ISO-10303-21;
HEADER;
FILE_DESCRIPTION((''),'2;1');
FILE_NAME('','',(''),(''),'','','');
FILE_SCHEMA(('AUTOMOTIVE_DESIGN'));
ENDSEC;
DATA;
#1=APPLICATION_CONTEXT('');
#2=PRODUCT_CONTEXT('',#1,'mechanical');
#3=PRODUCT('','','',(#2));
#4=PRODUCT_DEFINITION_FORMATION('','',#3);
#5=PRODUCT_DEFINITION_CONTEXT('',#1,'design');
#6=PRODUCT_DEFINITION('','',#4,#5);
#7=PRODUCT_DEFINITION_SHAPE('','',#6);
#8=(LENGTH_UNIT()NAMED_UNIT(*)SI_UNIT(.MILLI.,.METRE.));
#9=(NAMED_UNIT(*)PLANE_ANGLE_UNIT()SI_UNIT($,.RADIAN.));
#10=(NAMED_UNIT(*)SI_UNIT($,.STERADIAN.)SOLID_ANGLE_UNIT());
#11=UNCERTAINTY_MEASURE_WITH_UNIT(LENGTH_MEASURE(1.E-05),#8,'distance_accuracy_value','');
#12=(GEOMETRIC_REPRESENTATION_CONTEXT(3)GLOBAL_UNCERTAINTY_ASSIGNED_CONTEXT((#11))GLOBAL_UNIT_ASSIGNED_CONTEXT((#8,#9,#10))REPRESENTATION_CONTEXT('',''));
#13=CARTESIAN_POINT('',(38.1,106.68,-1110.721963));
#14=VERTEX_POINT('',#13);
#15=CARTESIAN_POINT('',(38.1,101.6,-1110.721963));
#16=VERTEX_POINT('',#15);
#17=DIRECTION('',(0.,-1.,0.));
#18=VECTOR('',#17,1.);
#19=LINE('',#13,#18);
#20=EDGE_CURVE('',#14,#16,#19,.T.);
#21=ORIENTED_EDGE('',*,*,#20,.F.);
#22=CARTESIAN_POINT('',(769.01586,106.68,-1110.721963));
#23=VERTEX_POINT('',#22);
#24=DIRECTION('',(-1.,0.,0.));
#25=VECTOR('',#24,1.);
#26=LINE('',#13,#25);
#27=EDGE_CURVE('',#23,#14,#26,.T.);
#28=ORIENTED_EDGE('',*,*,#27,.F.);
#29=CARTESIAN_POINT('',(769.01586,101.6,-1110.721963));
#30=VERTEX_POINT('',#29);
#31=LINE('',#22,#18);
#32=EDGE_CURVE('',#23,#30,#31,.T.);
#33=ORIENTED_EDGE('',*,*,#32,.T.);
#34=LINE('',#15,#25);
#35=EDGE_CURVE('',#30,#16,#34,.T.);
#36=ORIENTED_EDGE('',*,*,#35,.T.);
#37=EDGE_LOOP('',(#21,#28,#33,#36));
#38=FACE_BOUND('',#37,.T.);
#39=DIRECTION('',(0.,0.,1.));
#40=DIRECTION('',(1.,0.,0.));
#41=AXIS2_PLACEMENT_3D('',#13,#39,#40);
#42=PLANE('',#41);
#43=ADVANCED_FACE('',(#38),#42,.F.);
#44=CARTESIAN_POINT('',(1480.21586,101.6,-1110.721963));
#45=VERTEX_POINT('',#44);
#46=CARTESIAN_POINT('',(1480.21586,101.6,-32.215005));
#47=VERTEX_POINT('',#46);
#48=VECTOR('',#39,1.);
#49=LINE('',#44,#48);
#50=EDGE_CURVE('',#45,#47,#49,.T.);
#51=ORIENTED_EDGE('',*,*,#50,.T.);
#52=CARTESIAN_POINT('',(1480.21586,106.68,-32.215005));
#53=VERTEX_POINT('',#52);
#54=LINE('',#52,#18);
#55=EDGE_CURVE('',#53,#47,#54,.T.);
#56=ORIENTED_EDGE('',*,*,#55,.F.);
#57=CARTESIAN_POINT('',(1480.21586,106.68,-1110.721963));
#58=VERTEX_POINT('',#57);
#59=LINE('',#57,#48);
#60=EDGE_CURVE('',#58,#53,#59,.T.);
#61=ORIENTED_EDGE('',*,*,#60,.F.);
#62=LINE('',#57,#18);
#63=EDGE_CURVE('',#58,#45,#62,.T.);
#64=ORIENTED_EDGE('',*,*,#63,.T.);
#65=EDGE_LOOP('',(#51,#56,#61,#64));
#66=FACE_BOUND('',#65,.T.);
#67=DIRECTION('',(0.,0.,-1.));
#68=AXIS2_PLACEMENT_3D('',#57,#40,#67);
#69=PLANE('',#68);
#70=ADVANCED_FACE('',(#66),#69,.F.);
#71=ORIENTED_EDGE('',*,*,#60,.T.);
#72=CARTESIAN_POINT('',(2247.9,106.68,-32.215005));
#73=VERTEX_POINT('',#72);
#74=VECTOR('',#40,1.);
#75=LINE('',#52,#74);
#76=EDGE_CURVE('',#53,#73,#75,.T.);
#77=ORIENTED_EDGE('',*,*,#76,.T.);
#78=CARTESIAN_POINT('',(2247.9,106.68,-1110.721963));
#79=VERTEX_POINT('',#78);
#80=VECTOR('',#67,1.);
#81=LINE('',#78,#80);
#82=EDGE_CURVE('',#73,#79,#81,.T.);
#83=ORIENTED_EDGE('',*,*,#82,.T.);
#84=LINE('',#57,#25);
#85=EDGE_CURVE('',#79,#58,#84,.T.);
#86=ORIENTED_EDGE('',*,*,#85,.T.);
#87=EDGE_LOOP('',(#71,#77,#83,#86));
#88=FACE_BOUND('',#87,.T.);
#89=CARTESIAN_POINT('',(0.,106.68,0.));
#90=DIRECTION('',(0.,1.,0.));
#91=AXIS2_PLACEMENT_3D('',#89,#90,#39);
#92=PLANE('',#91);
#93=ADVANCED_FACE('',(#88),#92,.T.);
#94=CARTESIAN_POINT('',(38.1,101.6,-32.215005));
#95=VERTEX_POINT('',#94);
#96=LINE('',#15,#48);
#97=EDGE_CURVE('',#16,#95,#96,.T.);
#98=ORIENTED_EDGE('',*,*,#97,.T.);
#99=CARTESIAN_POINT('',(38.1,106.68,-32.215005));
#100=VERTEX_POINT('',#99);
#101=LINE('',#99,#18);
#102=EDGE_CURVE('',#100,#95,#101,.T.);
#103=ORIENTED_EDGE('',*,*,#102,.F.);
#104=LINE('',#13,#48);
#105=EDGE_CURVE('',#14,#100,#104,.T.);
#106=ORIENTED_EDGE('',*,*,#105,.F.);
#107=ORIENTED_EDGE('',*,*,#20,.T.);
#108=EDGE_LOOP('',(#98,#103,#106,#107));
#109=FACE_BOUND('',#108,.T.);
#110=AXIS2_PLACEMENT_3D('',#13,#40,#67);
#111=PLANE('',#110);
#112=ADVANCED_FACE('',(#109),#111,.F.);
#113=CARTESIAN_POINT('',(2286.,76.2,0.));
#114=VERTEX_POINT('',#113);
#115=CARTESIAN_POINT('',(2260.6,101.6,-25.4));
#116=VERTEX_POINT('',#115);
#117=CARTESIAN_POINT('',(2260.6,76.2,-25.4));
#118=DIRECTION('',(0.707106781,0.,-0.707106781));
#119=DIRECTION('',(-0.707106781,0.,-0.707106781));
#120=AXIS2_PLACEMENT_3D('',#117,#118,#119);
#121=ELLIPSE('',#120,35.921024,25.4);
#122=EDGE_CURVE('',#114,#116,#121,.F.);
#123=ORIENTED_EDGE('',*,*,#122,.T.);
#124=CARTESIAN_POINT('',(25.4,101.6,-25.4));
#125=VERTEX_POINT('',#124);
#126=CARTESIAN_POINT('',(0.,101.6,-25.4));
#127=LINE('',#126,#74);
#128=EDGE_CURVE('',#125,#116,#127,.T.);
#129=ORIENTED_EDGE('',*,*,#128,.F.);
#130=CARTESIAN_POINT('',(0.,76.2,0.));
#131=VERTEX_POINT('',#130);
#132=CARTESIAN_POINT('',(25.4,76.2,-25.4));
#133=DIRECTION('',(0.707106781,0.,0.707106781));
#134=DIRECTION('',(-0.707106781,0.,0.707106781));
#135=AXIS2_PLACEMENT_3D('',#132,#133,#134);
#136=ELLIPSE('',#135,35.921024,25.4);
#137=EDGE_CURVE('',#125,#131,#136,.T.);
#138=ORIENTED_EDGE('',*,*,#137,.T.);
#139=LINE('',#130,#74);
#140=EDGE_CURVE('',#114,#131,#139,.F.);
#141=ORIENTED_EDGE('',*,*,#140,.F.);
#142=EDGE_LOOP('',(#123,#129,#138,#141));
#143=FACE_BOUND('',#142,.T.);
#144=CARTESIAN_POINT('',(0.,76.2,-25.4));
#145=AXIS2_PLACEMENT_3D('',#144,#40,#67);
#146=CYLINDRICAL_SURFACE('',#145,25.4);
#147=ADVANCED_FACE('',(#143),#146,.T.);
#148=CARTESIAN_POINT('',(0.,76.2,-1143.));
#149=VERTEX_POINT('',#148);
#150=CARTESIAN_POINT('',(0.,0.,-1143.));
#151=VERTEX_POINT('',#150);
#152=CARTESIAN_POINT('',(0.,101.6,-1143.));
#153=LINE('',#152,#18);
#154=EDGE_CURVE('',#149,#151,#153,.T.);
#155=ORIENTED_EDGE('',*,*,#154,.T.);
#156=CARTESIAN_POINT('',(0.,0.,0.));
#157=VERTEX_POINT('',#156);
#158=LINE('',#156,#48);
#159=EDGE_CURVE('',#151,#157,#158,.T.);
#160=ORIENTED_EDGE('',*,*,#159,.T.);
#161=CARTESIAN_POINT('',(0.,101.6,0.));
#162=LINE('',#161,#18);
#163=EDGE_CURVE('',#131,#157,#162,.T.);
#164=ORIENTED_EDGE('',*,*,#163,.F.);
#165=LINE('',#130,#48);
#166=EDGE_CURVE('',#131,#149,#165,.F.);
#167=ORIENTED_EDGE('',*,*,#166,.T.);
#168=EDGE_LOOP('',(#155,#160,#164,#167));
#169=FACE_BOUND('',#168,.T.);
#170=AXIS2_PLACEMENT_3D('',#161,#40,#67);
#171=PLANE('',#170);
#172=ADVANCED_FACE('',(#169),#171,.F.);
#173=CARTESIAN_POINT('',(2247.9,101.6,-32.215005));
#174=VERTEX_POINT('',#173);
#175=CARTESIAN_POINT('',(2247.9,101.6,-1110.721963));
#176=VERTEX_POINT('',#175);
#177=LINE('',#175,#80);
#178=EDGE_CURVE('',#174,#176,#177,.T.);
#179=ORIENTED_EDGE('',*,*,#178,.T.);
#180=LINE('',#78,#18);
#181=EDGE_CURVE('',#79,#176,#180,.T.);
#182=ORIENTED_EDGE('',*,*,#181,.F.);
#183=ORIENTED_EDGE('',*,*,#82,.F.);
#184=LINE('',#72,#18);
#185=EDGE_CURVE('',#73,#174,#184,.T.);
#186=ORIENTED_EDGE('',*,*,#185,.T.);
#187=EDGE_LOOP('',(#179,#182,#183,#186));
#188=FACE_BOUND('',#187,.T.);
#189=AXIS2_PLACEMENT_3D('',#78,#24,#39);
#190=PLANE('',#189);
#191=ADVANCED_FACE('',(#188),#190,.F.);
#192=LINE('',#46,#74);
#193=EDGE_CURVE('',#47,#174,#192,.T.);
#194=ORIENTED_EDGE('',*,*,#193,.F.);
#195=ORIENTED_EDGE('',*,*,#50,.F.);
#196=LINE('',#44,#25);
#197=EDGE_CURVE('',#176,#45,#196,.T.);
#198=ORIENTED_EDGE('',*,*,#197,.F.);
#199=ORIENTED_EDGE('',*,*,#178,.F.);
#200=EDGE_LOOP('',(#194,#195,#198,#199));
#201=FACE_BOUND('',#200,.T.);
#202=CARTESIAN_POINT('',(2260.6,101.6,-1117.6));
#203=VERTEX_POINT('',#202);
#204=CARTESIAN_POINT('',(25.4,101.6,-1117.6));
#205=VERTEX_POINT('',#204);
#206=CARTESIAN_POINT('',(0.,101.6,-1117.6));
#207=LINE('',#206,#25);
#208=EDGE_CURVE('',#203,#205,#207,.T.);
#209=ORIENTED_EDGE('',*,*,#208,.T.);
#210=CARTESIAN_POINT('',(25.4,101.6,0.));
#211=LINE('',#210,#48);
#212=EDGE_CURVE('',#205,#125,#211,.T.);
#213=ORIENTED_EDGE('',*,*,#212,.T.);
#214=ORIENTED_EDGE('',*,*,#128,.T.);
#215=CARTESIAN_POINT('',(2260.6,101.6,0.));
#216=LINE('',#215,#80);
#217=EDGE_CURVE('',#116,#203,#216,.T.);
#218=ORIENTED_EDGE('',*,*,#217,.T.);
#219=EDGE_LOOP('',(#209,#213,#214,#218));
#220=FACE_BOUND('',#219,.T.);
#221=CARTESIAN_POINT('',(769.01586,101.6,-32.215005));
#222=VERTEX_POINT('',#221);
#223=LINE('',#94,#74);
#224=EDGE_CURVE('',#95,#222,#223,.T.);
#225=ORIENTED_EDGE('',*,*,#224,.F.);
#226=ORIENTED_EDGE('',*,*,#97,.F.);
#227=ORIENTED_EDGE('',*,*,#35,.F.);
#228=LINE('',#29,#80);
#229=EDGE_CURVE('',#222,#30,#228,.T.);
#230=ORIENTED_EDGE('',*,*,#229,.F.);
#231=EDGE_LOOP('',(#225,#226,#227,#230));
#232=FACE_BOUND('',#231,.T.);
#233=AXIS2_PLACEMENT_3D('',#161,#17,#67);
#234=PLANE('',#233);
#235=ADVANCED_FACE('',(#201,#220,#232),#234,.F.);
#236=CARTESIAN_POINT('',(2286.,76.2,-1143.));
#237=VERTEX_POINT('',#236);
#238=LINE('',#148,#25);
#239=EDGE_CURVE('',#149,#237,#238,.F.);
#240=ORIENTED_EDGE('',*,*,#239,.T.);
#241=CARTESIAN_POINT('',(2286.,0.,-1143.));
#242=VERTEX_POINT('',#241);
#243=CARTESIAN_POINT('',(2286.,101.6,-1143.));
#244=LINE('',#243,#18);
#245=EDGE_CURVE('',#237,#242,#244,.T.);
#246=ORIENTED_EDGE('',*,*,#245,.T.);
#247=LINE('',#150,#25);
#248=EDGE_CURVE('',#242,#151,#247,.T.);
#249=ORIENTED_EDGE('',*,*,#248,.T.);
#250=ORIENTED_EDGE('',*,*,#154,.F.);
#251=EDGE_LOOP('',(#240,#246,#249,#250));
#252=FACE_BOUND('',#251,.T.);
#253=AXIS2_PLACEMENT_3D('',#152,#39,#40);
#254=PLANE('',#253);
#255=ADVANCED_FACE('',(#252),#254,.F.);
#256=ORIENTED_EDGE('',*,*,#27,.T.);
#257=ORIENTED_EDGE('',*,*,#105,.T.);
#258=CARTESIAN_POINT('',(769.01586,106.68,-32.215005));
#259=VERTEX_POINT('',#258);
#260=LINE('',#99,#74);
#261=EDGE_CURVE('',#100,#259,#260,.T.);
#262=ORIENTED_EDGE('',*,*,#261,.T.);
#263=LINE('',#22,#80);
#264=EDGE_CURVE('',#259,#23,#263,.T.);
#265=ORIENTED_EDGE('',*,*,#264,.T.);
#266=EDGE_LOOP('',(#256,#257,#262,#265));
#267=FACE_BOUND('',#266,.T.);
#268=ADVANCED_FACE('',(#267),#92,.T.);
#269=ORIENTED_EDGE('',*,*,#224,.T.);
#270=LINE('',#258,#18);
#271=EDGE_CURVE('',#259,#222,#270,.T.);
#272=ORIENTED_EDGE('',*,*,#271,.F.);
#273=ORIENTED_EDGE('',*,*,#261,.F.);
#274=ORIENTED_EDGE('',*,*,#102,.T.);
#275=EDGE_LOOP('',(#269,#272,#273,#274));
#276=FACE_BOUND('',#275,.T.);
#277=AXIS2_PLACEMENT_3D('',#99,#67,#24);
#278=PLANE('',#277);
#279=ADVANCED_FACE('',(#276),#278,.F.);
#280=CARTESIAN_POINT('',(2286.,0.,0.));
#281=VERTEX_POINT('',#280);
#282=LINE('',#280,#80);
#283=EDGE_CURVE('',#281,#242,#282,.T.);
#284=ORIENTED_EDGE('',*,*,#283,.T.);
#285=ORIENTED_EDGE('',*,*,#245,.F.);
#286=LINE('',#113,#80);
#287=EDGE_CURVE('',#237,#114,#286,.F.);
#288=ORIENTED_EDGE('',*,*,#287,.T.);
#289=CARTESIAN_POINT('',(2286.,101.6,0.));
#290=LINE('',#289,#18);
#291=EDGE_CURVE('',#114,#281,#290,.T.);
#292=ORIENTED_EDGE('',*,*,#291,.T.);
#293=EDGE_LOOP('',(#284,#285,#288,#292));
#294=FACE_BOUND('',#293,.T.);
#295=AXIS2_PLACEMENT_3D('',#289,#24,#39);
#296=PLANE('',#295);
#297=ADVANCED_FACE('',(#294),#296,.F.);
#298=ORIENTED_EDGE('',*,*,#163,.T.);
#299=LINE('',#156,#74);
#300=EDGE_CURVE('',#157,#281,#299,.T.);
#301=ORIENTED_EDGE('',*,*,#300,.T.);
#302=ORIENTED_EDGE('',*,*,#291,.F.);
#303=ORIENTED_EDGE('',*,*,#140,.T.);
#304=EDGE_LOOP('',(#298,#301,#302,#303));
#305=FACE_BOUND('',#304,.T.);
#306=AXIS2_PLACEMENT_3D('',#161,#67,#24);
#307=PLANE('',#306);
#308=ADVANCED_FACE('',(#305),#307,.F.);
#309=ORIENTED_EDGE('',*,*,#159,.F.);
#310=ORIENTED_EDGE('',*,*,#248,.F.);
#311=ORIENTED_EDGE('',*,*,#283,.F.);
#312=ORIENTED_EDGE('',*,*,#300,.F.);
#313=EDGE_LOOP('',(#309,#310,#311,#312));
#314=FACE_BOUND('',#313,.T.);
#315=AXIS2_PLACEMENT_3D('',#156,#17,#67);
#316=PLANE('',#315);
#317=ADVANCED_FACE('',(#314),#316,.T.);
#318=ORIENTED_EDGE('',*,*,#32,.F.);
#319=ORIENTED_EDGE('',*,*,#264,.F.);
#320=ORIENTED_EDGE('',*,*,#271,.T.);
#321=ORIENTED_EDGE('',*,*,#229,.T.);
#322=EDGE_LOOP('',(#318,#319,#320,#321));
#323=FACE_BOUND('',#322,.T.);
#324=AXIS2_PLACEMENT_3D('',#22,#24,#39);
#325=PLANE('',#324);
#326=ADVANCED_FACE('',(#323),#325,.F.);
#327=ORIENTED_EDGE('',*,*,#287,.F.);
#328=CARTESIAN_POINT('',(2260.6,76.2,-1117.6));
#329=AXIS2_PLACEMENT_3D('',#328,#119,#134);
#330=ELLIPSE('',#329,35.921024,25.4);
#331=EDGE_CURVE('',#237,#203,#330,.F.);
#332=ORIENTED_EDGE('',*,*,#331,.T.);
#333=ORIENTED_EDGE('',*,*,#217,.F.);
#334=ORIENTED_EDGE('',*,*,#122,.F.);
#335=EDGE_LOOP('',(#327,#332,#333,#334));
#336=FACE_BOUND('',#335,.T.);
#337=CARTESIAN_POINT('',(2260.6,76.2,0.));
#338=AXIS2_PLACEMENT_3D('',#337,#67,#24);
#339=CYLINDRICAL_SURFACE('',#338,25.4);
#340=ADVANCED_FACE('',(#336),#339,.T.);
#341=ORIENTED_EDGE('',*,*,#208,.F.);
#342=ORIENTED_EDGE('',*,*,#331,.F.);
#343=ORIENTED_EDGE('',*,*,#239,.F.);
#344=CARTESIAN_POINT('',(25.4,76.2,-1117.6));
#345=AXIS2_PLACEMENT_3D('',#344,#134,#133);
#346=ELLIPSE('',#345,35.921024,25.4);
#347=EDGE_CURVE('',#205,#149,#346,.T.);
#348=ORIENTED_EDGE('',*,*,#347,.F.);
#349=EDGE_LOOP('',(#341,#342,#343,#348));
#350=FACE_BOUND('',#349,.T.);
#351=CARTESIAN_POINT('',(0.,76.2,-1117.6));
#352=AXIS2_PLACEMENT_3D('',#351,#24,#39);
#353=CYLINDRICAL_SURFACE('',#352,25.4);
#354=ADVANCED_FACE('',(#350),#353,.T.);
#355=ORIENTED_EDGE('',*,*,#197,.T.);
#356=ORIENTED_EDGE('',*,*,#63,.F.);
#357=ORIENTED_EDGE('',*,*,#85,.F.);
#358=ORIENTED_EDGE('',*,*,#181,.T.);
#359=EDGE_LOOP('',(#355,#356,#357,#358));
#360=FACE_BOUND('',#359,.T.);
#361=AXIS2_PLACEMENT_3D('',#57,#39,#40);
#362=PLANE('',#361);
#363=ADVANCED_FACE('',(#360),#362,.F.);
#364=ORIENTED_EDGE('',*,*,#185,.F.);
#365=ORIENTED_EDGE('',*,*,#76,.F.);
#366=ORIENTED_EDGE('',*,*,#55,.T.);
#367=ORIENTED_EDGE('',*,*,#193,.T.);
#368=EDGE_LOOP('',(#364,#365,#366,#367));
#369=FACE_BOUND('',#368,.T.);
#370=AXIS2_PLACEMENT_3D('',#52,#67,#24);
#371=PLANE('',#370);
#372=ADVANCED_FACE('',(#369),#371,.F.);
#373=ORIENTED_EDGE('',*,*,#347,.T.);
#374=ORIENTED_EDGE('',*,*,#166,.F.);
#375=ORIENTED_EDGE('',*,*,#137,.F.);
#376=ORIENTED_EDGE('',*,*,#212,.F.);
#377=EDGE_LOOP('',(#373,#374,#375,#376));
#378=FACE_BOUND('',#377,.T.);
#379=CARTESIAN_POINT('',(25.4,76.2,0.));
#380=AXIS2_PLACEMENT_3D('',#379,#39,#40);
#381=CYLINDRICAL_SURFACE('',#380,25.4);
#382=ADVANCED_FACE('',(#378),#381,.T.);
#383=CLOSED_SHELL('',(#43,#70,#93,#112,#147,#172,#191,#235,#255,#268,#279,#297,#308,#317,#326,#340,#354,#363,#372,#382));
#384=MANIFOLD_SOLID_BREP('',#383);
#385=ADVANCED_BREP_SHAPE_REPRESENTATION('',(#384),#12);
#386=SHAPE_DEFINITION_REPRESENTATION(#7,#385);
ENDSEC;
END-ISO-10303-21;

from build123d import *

# Parameters (mm, degrees)
SKETCH1_W           = 2286
SKETCH1_H           = 1143
BOSS_EXTRUDE1_DEPTH = 101.6
SKETCH2_W           = 730.915860416
SKETCH2_H           = 1078.506958481
SKETCH2_W_2         = 767.684139584
CUT_EXTRUDE1_DEPTH  = 88.9
SKETCH3_W           = 730.915860416
SKETCH3_H           = 1078.506958481
SKETCH3_W_2         = 767.684139584
BOSS_EXTRUDE2_DEPTH = 93.98
FILLET1_R           = 25.4


with BuildPart() as part:
    # Sketch1 → Boss-Extrude1 (new body)
    with BuildSketch(Plane(origin=(0, 0, 0), x_dir=(1, 0, 0), z_dir=(0, 1, 0))):
        with Locations((1143, 571.5)):
            Rectangle(SKETCH1_W, SKETCH1_H)
    extrude(amount=BOSS_EXTRUDE1_DEPTH)

    # Sketch2 → Cut-Extrude1 (cut)
    with BuildSketch(Plane(origin=(0, 101.6, 0), x_dir=(1, 0, 0), z_dir=(0, 1, 0))):
        with Locations((403.557930208, 571.468483779)):
            Rectangle(SKETCH2_W, SKETCH2_H)
        with Locations((1864.057930208, 571.468483779)):
            Rectangle(SKETCH2_W_2, SKETCH2_H)
    extrude(amount=-CUT_EXTRUDE1_DEPTH, mode=Mode.SUBTRACT)

    # Sketch3 → Boss-Extrude2 (add)
    with BuildSketch(Plane(origin=(0, 12.7, 0), x_dir=(1, 0, 0), z_dir=(0, 1, 0))):
        with Locations((403.557930208, 571.468483779)):
            Rectangle(SKETCH3_W, SKETCH3_H)
        with Locations((1864.057930208, 571.468483779)):
            Rectangle(SKETCH3_W_2, SKETCH3_H)
    extrude(amount=BOSS_EXTRUDE2_DEPTH)

    # Fillet1
    fillet1_edges = [part.edges().sort_by_distance(p)[0] for p in [
        (2286, 101.6, -571.5),
        (1143, 101.6, -1143),
        (0, 101.6, -571.5),
        (1143, 101.6, 0),
    ]]
    fillet(fillet1_edges, radius=FILLET1_R)


solid = part.part
